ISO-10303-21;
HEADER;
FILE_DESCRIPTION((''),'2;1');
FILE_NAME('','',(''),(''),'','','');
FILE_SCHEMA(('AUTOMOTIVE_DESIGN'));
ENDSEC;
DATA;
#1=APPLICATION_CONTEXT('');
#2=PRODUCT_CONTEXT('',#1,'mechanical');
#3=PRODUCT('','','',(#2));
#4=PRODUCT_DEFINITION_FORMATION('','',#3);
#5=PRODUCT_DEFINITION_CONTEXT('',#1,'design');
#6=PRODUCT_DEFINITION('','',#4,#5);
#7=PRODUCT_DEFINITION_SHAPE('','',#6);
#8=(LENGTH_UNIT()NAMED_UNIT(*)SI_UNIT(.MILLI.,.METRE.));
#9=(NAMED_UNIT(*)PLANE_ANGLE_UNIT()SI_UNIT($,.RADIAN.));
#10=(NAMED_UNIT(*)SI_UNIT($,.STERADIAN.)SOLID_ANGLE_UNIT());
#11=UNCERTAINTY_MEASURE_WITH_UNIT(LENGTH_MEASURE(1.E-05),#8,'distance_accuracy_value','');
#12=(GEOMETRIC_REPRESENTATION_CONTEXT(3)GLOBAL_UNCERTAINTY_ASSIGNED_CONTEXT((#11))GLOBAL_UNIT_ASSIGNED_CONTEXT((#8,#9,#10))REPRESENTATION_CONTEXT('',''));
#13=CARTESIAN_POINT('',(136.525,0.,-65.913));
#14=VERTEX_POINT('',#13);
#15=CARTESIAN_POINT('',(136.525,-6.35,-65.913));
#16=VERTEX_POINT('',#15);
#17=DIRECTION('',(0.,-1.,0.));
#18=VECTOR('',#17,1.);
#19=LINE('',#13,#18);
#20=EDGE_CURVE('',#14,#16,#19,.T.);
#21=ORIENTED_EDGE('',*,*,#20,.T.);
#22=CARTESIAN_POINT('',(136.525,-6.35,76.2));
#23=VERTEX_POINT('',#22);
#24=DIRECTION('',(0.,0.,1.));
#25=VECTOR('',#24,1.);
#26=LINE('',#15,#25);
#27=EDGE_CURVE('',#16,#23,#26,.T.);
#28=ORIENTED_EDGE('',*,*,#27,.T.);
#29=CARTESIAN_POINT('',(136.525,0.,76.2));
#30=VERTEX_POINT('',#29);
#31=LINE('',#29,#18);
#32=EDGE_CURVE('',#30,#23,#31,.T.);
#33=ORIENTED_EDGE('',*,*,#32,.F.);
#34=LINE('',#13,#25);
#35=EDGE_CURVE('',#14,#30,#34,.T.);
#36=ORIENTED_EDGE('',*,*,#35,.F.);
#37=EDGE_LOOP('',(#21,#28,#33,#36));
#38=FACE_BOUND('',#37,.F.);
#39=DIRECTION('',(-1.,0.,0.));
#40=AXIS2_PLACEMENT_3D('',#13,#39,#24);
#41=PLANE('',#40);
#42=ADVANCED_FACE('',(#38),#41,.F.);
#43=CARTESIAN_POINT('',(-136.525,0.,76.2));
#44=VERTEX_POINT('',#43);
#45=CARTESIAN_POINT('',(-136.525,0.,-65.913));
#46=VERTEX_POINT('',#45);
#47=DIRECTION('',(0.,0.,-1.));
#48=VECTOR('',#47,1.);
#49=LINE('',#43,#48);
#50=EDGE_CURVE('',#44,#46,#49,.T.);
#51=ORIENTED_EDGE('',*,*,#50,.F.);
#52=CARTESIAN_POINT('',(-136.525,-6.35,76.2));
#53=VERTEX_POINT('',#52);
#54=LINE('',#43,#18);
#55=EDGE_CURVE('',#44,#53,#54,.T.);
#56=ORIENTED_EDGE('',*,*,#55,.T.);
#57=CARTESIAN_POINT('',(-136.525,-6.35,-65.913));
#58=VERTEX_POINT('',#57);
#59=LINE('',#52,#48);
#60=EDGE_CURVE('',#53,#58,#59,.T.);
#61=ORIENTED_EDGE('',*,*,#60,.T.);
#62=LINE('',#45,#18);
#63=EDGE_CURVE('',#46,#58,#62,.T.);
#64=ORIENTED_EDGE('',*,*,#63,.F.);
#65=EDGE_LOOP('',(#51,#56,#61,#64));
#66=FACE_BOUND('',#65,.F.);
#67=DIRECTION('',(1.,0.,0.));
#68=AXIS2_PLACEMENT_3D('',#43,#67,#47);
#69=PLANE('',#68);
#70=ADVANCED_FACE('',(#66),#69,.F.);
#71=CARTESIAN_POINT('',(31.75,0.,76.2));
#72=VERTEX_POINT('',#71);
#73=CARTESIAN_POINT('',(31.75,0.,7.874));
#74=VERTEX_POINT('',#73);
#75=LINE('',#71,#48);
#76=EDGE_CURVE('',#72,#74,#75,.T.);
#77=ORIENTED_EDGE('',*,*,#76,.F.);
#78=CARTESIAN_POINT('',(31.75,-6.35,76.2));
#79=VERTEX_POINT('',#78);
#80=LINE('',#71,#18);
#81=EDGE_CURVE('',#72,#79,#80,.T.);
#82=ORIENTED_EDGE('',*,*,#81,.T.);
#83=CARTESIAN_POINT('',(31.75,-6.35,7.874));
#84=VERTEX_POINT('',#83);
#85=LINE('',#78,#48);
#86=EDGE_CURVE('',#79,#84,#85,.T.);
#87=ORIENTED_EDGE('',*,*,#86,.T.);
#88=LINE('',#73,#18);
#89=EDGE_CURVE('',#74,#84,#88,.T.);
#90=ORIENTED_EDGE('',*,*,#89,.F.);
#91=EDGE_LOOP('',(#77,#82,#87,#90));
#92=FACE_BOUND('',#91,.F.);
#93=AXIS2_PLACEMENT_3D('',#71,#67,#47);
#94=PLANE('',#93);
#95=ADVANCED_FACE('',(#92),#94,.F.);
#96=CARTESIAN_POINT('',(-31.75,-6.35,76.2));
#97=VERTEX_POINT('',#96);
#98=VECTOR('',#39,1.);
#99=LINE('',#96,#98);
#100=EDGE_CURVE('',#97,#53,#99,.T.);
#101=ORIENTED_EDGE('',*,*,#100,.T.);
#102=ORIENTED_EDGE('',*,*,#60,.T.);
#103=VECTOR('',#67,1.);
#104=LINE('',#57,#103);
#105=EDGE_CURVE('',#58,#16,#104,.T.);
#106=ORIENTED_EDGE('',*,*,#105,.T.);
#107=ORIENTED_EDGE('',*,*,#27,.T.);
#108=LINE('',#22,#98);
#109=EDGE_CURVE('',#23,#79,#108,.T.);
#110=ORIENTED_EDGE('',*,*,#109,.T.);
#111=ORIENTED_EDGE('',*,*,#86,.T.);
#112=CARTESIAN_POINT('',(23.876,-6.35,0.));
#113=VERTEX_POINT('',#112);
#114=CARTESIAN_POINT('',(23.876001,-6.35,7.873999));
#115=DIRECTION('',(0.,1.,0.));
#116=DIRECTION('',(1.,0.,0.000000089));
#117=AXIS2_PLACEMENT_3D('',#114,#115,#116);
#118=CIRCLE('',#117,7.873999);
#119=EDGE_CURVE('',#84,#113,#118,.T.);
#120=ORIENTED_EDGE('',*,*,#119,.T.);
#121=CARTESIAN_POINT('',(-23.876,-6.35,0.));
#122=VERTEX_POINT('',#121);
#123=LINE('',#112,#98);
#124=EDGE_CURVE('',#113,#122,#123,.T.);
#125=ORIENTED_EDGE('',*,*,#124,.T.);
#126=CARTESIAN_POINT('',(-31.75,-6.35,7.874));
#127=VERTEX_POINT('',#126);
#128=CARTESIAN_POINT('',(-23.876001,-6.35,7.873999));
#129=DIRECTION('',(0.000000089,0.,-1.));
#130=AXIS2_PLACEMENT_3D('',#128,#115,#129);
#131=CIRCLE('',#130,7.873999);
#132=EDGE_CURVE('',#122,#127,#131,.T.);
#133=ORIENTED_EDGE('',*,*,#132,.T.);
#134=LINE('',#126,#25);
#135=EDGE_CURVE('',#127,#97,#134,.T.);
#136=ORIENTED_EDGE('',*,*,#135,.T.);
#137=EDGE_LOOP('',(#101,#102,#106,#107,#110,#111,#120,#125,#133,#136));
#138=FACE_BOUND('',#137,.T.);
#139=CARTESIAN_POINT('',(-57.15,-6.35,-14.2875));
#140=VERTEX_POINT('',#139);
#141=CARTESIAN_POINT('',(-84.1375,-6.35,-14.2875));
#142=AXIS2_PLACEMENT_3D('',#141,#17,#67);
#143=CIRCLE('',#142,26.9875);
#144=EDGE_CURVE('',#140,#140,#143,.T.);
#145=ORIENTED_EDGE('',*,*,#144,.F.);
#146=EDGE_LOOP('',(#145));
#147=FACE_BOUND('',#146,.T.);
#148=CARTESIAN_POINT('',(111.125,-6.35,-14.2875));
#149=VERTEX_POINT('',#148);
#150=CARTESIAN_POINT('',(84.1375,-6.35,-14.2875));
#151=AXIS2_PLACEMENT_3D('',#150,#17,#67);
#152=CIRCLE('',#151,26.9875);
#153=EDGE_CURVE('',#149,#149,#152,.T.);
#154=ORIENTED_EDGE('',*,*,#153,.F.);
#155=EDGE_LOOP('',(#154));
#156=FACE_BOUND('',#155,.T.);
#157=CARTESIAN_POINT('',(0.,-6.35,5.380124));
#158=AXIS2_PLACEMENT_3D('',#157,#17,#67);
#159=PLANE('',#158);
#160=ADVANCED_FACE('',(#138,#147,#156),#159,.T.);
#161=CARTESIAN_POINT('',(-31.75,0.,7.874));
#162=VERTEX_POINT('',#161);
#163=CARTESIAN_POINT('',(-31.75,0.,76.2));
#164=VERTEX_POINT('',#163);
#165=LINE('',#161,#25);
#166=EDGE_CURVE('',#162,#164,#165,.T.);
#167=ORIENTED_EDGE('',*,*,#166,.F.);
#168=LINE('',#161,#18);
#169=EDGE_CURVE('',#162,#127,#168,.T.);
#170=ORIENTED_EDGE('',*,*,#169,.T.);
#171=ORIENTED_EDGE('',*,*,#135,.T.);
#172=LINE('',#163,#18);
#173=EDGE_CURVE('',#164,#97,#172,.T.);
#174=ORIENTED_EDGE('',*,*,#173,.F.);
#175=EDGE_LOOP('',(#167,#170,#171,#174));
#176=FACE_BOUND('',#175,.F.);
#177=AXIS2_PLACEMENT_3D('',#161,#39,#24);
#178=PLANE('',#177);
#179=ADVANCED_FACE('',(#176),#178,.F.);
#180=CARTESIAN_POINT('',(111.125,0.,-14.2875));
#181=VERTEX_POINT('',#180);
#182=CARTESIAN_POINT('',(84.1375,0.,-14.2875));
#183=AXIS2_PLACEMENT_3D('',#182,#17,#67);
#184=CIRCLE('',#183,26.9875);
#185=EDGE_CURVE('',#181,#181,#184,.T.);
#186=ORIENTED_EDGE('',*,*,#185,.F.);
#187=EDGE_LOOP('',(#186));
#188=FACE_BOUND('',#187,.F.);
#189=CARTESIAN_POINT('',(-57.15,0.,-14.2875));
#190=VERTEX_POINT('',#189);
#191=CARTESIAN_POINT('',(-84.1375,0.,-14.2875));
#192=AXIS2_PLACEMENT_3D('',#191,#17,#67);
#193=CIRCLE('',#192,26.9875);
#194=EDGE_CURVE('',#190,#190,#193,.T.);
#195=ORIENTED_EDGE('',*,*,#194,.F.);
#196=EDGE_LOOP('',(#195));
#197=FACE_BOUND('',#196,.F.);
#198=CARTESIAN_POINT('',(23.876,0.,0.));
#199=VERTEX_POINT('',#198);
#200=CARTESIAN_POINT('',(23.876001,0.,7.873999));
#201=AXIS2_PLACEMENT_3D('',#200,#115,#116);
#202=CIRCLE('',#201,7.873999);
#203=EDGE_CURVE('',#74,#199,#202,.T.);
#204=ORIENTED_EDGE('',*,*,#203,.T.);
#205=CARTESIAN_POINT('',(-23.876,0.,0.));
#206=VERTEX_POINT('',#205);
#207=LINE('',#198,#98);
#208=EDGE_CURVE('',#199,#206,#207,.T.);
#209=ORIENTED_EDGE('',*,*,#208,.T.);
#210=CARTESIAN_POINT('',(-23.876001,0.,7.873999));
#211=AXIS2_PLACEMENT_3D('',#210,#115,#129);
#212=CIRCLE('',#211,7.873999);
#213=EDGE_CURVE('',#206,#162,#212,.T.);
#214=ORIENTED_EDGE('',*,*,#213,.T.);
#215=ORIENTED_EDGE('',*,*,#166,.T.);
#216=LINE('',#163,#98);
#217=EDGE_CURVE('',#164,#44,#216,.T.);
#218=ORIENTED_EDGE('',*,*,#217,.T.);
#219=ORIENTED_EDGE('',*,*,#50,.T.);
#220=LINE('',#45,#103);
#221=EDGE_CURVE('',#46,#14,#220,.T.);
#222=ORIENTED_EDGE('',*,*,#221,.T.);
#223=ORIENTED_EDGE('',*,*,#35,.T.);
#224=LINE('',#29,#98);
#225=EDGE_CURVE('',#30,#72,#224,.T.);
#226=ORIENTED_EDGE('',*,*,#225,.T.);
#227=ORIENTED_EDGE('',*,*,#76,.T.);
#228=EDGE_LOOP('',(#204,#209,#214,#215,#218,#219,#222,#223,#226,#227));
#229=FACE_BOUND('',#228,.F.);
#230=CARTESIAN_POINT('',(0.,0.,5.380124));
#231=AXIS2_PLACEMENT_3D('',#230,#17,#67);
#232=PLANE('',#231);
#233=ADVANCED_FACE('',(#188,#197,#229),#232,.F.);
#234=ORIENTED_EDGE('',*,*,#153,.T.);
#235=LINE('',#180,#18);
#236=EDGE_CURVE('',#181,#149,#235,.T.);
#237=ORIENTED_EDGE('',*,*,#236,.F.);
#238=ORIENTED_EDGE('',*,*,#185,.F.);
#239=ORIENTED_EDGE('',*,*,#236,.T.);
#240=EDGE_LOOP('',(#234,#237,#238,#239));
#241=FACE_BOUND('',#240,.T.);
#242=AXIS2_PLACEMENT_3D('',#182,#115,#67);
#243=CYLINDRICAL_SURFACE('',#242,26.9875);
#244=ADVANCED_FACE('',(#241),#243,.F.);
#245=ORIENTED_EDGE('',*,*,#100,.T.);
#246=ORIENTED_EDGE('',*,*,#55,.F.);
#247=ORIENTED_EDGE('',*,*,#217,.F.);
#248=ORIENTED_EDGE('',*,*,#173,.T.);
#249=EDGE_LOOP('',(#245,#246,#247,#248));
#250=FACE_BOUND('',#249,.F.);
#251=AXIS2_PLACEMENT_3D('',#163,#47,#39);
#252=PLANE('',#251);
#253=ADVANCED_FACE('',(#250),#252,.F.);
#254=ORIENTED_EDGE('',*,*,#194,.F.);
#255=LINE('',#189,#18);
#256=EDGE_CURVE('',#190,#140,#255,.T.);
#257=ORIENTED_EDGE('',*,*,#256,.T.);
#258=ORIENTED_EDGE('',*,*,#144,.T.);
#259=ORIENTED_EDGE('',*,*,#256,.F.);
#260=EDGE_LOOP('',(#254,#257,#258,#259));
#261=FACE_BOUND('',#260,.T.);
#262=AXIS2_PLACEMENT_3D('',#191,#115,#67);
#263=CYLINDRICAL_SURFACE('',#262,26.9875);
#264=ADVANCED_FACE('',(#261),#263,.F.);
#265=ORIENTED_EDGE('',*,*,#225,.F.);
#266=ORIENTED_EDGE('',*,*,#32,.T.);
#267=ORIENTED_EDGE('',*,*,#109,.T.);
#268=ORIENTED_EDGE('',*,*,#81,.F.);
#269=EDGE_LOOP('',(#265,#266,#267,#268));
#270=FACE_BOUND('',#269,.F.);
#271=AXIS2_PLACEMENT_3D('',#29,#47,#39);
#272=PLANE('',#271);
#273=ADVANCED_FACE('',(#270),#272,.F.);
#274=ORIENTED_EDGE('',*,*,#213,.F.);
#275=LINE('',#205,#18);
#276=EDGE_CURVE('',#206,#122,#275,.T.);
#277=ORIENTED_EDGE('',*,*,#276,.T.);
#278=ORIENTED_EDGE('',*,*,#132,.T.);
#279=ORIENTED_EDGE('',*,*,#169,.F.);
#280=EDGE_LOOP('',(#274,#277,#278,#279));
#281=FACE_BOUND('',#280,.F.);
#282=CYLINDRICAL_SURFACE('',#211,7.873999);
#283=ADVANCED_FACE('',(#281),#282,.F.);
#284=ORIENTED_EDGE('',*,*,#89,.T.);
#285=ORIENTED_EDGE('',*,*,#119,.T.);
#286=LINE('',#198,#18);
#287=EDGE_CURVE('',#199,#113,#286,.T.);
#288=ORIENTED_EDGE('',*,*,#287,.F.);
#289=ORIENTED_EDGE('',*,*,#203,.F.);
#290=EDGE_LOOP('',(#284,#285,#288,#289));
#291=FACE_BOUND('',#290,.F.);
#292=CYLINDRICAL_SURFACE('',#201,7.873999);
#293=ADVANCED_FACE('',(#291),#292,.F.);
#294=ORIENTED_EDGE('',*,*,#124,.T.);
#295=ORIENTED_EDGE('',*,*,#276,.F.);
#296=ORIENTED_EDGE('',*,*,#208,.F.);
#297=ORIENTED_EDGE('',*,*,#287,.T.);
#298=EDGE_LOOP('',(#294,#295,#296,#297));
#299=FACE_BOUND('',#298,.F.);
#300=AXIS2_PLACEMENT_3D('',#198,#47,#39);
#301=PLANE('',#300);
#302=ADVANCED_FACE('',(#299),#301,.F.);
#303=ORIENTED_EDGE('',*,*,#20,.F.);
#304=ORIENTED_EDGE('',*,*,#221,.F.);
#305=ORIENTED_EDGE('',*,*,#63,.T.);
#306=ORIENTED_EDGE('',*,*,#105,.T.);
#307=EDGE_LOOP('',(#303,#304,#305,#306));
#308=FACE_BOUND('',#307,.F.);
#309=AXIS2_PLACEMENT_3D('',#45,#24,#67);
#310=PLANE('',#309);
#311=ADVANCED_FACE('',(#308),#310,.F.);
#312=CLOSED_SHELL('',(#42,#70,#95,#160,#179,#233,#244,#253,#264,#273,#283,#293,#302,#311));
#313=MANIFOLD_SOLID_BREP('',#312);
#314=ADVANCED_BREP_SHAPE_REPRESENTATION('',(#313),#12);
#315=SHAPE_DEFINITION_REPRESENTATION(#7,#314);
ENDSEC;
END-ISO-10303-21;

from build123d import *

# Parameters (mm, degrees)
F0_R     = 26.9875
F1_DEPTH = 6.35


with BuildPart() as f1:
    # F0 (on Front) → F1 (new body)
    with BuildSketch(Plane.XZ):
        with BuildLine():
            Line((-31.75, 76.2), (-136.525, 76.2))
            Line((-136.525, 76.2), (-136.525, -65.913))
            Line((-136.525, -65.913), (136.525, -65.913))
            Line((136.525, -65.913), (136.525, 76.2))
            Line((136.525, 76.2), (31.75, 76.2))
            Line((31.75, 76.2), (31.75, 7.874))
            ThreePointArc((31.75, 7.874), (29.443759, 2.306241), (23.876, 0))
            Line((23.876, 0), (-23.876, 0))
            ThreePointArc((-23.876, 0), (-29.443759, 2.306241), (-31.75, 7.874))
            Line((-31.75, 7.874), (-31.75, 76.2))
        make_face()
        with Locations((-84.1375, -14.2875)):
            Circle(F0_R, mode=Mode.SUBTRACT)
        with Locations((84.1375, -14.2875)):
            Circle(F0_R, mode=Mode.SUBTRACT)
    extrude(amount=F1_DEPTH)


solid = f1.part
